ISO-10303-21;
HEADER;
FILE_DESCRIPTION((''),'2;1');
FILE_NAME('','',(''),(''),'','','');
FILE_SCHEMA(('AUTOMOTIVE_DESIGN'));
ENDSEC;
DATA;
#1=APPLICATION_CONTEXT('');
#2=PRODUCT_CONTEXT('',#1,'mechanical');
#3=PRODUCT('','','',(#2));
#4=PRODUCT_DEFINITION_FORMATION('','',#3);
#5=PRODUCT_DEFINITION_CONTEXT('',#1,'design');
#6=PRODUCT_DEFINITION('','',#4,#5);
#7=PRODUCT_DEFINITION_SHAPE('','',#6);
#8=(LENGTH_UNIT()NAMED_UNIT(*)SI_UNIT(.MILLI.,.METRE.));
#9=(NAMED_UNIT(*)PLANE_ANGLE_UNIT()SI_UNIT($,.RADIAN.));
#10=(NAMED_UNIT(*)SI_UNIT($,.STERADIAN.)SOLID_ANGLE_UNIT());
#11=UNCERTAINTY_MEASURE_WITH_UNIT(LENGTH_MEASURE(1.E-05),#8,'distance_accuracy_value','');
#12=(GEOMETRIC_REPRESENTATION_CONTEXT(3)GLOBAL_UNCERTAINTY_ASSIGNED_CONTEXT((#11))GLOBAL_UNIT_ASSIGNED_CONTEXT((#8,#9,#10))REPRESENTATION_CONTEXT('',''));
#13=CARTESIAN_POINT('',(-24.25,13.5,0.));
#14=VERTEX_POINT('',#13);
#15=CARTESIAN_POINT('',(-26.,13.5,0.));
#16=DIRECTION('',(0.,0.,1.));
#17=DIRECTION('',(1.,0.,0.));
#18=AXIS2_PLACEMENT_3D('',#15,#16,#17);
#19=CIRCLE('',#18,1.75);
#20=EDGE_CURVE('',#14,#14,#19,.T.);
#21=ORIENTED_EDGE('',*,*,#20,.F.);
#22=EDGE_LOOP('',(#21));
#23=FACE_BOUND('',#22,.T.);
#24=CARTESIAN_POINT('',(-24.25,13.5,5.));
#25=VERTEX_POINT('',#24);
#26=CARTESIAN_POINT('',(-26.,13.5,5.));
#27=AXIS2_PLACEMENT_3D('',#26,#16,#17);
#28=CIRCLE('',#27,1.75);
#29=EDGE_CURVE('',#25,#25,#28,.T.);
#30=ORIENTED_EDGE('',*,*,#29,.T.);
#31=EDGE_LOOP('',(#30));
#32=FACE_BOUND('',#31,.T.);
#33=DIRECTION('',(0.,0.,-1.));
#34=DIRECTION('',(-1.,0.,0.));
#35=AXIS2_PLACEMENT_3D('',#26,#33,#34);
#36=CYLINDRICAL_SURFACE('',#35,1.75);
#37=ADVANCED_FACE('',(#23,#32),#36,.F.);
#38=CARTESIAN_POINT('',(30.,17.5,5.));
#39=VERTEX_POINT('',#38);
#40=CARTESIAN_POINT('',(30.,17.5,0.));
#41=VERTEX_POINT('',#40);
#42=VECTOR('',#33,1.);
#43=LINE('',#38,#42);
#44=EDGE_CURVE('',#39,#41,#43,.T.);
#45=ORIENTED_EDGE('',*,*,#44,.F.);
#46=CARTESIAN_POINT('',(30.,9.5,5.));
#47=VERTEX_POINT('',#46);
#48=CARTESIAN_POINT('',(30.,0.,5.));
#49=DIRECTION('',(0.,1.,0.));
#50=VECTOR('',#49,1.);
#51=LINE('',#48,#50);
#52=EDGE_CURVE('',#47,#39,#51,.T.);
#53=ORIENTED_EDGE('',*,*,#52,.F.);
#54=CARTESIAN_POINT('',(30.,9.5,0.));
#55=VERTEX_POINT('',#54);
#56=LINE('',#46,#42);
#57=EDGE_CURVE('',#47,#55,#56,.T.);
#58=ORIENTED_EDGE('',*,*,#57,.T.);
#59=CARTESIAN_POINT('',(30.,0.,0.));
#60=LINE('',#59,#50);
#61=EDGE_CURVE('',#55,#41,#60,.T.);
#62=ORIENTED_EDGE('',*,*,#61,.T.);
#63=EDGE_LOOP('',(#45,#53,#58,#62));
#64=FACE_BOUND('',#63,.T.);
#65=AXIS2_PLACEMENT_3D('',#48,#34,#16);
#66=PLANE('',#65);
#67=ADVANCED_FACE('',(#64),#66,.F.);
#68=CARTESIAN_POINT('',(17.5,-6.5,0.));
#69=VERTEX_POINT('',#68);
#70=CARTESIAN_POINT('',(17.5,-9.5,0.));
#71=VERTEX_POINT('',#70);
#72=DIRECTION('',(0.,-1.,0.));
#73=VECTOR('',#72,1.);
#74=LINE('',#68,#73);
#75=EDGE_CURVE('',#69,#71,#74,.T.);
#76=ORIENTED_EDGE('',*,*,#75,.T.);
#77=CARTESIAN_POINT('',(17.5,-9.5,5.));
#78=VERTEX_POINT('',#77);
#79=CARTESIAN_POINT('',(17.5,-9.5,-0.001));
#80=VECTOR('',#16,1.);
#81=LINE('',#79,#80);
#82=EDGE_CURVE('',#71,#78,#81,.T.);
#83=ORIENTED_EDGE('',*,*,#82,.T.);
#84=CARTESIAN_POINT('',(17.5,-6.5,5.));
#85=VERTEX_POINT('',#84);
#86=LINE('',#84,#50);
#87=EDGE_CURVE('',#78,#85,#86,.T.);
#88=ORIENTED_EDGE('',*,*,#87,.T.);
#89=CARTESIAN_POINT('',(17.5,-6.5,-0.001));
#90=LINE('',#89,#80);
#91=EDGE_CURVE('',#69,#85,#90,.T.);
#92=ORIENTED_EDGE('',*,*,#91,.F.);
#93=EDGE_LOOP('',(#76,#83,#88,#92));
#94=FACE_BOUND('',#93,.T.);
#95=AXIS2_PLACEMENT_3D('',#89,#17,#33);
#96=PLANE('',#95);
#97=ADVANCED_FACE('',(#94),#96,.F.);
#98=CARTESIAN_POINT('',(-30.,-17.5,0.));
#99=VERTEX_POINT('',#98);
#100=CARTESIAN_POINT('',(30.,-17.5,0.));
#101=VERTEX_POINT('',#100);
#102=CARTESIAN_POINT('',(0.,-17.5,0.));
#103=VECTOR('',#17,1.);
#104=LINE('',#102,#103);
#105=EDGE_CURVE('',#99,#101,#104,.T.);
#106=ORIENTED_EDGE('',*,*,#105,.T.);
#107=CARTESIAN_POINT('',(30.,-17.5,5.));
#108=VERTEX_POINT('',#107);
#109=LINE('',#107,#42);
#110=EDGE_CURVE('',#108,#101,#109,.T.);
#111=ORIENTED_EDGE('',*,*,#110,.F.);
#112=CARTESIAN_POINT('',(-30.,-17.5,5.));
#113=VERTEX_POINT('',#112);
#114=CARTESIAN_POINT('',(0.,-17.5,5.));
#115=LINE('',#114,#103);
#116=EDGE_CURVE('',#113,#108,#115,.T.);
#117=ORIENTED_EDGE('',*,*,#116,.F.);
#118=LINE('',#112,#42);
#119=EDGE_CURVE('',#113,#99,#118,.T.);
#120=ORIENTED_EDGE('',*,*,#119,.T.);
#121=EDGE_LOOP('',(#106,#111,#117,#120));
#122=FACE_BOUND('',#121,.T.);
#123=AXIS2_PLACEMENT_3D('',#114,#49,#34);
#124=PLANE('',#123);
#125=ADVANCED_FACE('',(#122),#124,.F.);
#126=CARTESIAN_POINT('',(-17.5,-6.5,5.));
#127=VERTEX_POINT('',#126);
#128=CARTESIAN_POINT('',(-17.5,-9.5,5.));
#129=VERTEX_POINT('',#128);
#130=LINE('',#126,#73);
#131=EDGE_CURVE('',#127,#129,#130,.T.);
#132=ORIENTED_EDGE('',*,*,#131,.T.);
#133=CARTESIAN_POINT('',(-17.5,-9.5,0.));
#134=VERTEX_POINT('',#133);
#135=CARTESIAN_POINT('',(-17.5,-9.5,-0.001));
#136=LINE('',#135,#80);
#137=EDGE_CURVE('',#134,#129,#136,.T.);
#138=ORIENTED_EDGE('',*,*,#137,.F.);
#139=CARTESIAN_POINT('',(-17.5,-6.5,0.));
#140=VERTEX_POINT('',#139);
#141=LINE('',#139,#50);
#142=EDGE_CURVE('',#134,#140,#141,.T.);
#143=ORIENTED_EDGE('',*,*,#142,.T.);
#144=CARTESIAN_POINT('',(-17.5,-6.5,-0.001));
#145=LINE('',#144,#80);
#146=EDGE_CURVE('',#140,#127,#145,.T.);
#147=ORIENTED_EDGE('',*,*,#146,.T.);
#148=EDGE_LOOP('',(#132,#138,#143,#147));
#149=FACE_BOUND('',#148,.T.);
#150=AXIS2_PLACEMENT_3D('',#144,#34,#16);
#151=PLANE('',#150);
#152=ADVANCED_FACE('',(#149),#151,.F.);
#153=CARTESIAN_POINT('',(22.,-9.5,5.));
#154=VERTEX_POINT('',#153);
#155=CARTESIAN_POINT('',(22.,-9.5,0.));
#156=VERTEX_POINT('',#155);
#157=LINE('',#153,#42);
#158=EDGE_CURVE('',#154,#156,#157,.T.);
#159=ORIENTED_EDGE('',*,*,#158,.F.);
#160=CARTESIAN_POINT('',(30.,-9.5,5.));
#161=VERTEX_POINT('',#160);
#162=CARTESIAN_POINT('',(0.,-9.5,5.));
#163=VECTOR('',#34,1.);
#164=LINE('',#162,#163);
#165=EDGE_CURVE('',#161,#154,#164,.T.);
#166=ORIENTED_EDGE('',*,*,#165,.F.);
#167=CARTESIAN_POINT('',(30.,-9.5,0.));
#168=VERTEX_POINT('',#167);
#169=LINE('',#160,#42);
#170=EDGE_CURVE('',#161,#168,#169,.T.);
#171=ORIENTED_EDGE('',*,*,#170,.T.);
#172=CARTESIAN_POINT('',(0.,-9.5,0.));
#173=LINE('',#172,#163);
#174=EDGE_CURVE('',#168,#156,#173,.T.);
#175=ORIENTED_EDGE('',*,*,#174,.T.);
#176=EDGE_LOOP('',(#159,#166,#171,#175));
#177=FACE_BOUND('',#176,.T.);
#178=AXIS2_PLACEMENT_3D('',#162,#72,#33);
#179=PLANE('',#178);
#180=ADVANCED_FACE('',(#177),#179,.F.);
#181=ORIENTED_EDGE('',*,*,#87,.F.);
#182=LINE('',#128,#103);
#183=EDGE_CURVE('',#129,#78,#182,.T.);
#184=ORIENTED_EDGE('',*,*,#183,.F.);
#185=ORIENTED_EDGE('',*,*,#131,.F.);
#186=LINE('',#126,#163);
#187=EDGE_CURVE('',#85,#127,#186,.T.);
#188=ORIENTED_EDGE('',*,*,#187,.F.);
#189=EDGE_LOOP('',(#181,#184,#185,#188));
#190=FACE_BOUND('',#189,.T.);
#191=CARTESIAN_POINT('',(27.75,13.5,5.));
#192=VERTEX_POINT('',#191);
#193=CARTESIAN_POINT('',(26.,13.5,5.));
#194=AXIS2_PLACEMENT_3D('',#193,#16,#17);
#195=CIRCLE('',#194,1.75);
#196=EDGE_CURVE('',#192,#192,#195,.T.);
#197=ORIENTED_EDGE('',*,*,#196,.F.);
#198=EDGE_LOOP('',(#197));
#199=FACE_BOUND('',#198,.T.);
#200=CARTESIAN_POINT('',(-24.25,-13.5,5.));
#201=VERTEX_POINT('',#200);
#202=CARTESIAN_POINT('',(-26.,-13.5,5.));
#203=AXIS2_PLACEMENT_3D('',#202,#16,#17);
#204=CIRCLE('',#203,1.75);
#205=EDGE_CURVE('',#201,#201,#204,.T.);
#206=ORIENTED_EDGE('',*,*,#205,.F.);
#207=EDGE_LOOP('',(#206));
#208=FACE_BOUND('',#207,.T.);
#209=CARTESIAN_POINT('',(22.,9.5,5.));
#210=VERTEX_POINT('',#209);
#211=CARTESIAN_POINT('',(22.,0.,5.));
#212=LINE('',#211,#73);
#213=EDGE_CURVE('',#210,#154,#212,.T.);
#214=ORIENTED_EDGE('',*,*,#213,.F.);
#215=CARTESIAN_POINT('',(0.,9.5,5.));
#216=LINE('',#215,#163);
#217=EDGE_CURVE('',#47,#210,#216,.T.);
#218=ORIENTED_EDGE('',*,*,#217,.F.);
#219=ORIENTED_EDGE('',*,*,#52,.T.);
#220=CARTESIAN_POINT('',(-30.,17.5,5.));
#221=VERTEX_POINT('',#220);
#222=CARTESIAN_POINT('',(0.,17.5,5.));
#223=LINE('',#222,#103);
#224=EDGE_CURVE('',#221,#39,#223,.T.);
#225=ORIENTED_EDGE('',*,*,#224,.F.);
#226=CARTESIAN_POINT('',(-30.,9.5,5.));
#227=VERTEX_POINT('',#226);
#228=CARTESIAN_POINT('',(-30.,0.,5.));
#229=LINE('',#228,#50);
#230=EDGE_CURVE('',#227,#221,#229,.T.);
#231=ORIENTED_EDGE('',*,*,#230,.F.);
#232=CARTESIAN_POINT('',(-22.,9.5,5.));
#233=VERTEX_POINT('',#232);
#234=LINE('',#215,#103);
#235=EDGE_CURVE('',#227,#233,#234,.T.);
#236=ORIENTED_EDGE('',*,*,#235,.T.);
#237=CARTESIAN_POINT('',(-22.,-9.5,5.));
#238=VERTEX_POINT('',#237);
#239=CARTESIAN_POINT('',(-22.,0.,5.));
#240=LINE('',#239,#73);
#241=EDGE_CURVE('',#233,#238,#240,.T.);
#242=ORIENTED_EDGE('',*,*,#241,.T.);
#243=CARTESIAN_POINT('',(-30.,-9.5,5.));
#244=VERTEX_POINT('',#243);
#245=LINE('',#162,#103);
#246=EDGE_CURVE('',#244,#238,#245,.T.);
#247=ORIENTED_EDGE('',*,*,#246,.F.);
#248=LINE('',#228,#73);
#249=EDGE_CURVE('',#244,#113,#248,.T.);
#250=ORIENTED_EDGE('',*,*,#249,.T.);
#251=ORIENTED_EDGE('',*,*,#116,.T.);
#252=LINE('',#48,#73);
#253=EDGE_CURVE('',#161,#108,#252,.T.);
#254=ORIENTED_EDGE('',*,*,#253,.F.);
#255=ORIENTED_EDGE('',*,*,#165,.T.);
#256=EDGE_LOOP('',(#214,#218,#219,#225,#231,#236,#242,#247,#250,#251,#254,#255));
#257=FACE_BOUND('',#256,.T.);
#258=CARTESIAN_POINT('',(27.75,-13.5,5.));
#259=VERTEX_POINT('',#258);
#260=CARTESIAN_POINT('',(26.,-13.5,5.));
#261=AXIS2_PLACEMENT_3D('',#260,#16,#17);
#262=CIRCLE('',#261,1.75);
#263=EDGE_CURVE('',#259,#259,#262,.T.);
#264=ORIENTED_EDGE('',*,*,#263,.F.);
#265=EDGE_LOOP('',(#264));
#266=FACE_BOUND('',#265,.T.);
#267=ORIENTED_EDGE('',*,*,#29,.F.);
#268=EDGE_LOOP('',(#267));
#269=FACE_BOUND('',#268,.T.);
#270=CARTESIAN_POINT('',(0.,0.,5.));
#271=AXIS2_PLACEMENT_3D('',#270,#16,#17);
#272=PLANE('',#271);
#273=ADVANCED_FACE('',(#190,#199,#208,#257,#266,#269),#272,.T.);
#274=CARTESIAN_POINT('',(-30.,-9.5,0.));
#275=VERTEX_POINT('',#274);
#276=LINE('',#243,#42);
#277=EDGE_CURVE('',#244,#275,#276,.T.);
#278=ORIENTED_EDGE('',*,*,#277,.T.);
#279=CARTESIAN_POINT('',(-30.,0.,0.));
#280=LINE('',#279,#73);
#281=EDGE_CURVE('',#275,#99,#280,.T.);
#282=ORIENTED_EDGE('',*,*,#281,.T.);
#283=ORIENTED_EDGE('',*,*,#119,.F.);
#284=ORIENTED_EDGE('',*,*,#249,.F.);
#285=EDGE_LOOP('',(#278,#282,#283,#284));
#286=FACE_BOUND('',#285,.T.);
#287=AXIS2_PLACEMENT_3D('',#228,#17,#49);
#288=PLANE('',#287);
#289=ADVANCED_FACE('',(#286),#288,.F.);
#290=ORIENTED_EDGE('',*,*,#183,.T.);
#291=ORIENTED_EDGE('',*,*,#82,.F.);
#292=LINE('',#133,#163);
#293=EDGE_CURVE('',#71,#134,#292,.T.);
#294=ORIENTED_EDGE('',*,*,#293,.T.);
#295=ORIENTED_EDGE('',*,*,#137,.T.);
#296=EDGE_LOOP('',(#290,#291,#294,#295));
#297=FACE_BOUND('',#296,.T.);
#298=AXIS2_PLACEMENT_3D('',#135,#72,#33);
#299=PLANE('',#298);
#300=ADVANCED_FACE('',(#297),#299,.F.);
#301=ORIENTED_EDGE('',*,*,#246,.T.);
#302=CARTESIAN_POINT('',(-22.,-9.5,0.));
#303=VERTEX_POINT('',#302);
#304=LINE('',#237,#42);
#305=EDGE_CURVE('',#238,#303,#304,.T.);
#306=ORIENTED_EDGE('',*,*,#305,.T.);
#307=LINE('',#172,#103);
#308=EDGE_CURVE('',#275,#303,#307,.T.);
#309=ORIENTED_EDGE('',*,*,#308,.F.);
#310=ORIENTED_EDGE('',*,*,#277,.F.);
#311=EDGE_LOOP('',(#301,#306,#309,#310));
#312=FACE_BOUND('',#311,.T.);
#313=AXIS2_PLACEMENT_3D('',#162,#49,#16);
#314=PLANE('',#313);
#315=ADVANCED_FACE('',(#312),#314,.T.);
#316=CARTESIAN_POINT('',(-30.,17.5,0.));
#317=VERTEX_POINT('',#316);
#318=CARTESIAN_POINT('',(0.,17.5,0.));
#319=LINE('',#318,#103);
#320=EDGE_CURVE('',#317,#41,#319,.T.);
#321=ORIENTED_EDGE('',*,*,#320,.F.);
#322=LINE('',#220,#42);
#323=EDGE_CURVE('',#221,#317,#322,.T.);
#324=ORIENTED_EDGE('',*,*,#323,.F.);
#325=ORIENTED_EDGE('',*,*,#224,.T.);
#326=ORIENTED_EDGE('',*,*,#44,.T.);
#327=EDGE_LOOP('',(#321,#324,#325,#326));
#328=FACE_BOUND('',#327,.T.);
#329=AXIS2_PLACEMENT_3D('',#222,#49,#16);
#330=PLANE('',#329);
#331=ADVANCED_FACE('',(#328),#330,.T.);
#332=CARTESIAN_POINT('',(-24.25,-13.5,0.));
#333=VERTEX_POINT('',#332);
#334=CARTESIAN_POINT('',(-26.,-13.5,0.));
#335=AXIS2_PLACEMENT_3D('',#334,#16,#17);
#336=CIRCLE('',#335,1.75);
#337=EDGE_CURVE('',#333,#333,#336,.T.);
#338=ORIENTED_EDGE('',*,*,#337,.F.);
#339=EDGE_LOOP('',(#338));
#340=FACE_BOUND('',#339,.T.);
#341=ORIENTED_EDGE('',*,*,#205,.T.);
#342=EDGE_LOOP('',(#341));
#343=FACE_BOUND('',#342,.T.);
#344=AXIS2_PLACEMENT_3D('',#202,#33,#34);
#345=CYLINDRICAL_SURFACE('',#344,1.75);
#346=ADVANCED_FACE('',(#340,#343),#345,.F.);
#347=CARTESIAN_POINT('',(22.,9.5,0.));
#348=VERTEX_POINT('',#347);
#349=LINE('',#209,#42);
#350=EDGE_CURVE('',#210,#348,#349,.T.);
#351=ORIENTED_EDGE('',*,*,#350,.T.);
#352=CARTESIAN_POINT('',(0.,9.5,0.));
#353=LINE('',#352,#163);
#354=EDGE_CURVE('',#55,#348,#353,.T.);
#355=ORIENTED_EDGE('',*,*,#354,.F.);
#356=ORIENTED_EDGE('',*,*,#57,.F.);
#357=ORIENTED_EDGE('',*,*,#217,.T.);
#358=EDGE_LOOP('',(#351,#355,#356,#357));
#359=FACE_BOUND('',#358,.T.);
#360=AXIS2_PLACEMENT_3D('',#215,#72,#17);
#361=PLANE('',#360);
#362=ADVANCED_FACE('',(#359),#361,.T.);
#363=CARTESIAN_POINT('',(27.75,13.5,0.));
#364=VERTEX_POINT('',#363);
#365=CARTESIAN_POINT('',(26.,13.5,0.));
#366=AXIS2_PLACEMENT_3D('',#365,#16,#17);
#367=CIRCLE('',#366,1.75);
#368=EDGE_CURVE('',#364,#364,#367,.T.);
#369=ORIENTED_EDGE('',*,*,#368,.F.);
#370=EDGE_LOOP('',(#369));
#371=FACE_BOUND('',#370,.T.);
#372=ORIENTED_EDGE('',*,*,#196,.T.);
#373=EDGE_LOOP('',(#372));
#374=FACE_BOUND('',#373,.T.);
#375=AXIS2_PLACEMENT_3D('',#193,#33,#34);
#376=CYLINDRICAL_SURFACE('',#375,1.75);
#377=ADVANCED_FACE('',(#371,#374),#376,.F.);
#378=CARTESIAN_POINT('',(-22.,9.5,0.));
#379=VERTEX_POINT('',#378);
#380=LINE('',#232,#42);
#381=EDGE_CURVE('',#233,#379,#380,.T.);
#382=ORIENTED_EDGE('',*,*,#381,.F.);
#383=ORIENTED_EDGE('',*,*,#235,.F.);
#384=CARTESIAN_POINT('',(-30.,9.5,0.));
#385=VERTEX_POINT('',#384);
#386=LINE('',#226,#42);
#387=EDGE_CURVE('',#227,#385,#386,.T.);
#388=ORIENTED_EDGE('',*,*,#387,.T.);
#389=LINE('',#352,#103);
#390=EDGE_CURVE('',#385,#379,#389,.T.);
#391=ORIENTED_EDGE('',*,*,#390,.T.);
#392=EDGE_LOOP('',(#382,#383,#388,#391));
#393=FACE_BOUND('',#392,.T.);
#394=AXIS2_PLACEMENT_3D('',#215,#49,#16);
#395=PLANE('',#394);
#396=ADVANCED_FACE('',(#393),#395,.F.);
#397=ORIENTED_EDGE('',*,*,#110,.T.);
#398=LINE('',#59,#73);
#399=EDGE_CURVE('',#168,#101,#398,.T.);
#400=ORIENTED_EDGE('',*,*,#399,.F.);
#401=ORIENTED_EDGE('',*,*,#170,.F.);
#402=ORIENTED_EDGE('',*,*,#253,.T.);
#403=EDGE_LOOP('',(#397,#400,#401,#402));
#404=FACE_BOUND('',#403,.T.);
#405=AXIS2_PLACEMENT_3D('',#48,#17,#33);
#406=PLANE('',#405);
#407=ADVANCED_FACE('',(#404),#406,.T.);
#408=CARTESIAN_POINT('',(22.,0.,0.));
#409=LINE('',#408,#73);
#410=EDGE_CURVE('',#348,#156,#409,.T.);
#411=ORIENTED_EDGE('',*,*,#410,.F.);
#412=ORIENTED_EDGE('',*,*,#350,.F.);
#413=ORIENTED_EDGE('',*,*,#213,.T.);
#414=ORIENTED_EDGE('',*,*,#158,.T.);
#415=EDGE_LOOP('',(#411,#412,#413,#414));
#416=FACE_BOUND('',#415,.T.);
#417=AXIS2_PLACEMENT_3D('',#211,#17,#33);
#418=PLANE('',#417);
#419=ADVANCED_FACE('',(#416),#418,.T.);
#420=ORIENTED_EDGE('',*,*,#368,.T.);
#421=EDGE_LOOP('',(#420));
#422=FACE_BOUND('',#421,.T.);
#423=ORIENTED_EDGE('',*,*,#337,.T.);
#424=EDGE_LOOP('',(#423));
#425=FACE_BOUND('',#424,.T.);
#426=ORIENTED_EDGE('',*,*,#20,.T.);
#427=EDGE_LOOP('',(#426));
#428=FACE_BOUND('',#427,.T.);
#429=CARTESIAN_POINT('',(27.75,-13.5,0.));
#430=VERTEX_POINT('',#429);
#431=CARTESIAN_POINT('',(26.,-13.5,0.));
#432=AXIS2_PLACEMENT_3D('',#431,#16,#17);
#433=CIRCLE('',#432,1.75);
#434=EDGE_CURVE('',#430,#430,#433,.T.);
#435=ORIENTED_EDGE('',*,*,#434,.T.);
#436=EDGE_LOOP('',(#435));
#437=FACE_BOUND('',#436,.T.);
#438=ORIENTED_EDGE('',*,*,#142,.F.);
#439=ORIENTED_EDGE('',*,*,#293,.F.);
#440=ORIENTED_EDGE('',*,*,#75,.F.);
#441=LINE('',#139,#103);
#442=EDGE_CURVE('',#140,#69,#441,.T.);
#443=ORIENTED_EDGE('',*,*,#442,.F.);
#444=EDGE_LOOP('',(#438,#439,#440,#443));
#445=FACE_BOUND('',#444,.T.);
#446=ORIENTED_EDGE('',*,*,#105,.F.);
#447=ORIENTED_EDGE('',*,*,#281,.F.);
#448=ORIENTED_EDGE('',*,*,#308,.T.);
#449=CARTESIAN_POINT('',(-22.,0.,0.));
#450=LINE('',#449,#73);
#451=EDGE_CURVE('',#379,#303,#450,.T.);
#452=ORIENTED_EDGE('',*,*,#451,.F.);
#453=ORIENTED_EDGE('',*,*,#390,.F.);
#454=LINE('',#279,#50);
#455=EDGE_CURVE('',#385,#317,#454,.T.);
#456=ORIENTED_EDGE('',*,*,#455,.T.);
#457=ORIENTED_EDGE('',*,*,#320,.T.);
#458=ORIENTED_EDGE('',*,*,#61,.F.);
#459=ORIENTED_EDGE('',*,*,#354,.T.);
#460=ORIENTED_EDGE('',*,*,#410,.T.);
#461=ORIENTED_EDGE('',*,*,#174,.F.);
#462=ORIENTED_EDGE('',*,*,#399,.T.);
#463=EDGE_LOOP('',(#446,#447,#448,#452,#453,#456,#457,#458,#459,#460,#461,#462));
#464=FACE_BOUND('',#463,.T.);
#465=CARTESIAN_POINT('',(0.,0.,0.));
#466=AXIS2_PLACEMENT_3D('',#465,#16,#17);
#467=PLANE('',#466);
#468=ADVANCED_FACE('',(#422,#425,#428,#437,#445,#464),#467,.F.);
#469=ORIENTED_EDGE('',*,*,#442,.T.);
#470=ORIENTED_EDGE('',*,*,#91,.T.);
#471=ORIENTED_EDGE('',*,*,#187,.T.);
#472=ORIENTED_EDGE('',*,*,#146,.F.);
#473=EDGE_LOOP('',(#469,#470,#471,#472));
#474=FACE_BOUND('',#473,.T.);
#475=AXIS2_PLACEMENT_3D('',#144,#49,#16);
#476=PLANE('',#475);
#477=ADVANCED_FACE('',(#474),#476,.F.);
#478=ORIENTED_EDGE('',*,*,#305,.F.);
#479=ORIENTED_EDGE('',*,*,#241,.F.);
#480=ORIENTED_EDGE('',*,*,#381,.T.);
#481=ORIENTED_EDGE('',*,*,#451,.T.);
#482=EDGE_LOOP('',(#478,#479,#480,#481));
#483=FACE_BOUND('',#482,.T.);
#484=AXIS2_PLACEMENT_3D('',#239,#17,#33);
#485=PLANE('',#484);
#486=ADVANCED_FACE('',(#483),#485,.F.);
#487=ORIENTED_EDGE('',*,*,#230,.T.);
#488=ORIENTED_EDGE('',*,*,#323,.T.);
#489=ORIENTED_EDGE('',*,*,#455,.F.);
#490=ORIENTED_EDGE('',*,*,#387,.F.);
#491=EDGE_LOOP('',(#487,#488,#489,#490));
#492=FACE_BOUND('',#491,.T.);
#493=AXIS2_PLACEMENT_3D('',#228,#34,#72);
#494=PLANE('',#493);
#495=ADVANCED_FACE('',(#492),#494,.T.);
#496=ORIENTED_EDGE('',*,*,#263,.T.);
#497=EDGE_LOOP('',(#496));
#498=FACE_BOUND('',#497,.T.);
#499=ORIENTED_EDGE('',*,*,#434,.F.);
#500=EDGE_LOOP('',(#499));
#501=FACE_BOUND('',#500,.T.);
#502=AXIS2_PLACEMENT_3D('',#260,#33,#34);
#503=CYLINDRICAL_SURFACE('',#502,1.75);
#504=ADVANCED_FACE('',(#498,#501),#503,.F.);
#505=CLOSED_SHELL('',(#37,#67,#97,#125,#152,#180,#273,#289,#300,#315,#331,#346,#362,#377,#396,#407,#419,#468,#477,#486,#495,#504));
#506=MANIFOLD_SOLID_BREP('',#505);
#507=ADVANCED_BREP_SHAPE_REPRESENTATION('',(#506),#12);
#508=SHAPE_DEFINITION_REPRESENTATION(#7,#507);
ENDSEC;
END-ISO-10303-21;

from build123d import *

# Parameters (mm, degrees)
SKETCH_1_R          = 1.75
EXTRUDE_1_DEPTH     = 5
CUT_EXTRUDE_1_REACH = 7
SKETCH_2_W          = 35
SKETCH_2_H          = 3


with BuildPart() as part:
    # 草圖1 → 填料-伸長1 (new body)
    with BuildSketch(Plane.XY):
        Polygon((-30, 17.5), (-30, 9.5), (-22, 9.5), (-22, -9.5), (-30, -9.5), (-30, -17.5), (30, -17.5), (30, -9.5), (22, -9.5), (22, 9.5), (30, 9.5), (30, 17.5), align=None)
        with Locations((-26, 13.5)):
            Circle(SKETCH_1_R, mode=Mode.SUBTRACT)
        with Locations((26, 13.5)):
            Circle(SKETCH_1_R, mode=Mode.SUBTRACT)
        with Locations((-26, -13.5)):
            Circle(SKETCH_1_R, mode=Mode.SUBTRACT)
        with Locations((26, -13.5)):
            Circle(SKETCH_1_R, mode=Mode.SUBTRACT)
    extrude(amount=EXTRUDE_1_DEPTH)

    # 草圖2 → 除料-伸長1 (cut, up to next)
    with BuildSketch(Plane.XY.offset(5), mode=Mode.PRIVATE) as cut_extrude_1_sk1:
        with Locations((0, -8)):
            Rectangle(SKETCH_2_W, SKETCH_2_H)
    cut_extrude_1_tool1 = extrude(cut_extrude_1_sk1.sketch, amount=-CUT_EXTRUDE_1_REACH, mode=Mode.PRIVATE) & part.part
    add(cut_extrude_1_tool1.solids().sort_by_distance((0, -8, 5))[0], mode=Mode.SUBTRACT)


solid = part.part
